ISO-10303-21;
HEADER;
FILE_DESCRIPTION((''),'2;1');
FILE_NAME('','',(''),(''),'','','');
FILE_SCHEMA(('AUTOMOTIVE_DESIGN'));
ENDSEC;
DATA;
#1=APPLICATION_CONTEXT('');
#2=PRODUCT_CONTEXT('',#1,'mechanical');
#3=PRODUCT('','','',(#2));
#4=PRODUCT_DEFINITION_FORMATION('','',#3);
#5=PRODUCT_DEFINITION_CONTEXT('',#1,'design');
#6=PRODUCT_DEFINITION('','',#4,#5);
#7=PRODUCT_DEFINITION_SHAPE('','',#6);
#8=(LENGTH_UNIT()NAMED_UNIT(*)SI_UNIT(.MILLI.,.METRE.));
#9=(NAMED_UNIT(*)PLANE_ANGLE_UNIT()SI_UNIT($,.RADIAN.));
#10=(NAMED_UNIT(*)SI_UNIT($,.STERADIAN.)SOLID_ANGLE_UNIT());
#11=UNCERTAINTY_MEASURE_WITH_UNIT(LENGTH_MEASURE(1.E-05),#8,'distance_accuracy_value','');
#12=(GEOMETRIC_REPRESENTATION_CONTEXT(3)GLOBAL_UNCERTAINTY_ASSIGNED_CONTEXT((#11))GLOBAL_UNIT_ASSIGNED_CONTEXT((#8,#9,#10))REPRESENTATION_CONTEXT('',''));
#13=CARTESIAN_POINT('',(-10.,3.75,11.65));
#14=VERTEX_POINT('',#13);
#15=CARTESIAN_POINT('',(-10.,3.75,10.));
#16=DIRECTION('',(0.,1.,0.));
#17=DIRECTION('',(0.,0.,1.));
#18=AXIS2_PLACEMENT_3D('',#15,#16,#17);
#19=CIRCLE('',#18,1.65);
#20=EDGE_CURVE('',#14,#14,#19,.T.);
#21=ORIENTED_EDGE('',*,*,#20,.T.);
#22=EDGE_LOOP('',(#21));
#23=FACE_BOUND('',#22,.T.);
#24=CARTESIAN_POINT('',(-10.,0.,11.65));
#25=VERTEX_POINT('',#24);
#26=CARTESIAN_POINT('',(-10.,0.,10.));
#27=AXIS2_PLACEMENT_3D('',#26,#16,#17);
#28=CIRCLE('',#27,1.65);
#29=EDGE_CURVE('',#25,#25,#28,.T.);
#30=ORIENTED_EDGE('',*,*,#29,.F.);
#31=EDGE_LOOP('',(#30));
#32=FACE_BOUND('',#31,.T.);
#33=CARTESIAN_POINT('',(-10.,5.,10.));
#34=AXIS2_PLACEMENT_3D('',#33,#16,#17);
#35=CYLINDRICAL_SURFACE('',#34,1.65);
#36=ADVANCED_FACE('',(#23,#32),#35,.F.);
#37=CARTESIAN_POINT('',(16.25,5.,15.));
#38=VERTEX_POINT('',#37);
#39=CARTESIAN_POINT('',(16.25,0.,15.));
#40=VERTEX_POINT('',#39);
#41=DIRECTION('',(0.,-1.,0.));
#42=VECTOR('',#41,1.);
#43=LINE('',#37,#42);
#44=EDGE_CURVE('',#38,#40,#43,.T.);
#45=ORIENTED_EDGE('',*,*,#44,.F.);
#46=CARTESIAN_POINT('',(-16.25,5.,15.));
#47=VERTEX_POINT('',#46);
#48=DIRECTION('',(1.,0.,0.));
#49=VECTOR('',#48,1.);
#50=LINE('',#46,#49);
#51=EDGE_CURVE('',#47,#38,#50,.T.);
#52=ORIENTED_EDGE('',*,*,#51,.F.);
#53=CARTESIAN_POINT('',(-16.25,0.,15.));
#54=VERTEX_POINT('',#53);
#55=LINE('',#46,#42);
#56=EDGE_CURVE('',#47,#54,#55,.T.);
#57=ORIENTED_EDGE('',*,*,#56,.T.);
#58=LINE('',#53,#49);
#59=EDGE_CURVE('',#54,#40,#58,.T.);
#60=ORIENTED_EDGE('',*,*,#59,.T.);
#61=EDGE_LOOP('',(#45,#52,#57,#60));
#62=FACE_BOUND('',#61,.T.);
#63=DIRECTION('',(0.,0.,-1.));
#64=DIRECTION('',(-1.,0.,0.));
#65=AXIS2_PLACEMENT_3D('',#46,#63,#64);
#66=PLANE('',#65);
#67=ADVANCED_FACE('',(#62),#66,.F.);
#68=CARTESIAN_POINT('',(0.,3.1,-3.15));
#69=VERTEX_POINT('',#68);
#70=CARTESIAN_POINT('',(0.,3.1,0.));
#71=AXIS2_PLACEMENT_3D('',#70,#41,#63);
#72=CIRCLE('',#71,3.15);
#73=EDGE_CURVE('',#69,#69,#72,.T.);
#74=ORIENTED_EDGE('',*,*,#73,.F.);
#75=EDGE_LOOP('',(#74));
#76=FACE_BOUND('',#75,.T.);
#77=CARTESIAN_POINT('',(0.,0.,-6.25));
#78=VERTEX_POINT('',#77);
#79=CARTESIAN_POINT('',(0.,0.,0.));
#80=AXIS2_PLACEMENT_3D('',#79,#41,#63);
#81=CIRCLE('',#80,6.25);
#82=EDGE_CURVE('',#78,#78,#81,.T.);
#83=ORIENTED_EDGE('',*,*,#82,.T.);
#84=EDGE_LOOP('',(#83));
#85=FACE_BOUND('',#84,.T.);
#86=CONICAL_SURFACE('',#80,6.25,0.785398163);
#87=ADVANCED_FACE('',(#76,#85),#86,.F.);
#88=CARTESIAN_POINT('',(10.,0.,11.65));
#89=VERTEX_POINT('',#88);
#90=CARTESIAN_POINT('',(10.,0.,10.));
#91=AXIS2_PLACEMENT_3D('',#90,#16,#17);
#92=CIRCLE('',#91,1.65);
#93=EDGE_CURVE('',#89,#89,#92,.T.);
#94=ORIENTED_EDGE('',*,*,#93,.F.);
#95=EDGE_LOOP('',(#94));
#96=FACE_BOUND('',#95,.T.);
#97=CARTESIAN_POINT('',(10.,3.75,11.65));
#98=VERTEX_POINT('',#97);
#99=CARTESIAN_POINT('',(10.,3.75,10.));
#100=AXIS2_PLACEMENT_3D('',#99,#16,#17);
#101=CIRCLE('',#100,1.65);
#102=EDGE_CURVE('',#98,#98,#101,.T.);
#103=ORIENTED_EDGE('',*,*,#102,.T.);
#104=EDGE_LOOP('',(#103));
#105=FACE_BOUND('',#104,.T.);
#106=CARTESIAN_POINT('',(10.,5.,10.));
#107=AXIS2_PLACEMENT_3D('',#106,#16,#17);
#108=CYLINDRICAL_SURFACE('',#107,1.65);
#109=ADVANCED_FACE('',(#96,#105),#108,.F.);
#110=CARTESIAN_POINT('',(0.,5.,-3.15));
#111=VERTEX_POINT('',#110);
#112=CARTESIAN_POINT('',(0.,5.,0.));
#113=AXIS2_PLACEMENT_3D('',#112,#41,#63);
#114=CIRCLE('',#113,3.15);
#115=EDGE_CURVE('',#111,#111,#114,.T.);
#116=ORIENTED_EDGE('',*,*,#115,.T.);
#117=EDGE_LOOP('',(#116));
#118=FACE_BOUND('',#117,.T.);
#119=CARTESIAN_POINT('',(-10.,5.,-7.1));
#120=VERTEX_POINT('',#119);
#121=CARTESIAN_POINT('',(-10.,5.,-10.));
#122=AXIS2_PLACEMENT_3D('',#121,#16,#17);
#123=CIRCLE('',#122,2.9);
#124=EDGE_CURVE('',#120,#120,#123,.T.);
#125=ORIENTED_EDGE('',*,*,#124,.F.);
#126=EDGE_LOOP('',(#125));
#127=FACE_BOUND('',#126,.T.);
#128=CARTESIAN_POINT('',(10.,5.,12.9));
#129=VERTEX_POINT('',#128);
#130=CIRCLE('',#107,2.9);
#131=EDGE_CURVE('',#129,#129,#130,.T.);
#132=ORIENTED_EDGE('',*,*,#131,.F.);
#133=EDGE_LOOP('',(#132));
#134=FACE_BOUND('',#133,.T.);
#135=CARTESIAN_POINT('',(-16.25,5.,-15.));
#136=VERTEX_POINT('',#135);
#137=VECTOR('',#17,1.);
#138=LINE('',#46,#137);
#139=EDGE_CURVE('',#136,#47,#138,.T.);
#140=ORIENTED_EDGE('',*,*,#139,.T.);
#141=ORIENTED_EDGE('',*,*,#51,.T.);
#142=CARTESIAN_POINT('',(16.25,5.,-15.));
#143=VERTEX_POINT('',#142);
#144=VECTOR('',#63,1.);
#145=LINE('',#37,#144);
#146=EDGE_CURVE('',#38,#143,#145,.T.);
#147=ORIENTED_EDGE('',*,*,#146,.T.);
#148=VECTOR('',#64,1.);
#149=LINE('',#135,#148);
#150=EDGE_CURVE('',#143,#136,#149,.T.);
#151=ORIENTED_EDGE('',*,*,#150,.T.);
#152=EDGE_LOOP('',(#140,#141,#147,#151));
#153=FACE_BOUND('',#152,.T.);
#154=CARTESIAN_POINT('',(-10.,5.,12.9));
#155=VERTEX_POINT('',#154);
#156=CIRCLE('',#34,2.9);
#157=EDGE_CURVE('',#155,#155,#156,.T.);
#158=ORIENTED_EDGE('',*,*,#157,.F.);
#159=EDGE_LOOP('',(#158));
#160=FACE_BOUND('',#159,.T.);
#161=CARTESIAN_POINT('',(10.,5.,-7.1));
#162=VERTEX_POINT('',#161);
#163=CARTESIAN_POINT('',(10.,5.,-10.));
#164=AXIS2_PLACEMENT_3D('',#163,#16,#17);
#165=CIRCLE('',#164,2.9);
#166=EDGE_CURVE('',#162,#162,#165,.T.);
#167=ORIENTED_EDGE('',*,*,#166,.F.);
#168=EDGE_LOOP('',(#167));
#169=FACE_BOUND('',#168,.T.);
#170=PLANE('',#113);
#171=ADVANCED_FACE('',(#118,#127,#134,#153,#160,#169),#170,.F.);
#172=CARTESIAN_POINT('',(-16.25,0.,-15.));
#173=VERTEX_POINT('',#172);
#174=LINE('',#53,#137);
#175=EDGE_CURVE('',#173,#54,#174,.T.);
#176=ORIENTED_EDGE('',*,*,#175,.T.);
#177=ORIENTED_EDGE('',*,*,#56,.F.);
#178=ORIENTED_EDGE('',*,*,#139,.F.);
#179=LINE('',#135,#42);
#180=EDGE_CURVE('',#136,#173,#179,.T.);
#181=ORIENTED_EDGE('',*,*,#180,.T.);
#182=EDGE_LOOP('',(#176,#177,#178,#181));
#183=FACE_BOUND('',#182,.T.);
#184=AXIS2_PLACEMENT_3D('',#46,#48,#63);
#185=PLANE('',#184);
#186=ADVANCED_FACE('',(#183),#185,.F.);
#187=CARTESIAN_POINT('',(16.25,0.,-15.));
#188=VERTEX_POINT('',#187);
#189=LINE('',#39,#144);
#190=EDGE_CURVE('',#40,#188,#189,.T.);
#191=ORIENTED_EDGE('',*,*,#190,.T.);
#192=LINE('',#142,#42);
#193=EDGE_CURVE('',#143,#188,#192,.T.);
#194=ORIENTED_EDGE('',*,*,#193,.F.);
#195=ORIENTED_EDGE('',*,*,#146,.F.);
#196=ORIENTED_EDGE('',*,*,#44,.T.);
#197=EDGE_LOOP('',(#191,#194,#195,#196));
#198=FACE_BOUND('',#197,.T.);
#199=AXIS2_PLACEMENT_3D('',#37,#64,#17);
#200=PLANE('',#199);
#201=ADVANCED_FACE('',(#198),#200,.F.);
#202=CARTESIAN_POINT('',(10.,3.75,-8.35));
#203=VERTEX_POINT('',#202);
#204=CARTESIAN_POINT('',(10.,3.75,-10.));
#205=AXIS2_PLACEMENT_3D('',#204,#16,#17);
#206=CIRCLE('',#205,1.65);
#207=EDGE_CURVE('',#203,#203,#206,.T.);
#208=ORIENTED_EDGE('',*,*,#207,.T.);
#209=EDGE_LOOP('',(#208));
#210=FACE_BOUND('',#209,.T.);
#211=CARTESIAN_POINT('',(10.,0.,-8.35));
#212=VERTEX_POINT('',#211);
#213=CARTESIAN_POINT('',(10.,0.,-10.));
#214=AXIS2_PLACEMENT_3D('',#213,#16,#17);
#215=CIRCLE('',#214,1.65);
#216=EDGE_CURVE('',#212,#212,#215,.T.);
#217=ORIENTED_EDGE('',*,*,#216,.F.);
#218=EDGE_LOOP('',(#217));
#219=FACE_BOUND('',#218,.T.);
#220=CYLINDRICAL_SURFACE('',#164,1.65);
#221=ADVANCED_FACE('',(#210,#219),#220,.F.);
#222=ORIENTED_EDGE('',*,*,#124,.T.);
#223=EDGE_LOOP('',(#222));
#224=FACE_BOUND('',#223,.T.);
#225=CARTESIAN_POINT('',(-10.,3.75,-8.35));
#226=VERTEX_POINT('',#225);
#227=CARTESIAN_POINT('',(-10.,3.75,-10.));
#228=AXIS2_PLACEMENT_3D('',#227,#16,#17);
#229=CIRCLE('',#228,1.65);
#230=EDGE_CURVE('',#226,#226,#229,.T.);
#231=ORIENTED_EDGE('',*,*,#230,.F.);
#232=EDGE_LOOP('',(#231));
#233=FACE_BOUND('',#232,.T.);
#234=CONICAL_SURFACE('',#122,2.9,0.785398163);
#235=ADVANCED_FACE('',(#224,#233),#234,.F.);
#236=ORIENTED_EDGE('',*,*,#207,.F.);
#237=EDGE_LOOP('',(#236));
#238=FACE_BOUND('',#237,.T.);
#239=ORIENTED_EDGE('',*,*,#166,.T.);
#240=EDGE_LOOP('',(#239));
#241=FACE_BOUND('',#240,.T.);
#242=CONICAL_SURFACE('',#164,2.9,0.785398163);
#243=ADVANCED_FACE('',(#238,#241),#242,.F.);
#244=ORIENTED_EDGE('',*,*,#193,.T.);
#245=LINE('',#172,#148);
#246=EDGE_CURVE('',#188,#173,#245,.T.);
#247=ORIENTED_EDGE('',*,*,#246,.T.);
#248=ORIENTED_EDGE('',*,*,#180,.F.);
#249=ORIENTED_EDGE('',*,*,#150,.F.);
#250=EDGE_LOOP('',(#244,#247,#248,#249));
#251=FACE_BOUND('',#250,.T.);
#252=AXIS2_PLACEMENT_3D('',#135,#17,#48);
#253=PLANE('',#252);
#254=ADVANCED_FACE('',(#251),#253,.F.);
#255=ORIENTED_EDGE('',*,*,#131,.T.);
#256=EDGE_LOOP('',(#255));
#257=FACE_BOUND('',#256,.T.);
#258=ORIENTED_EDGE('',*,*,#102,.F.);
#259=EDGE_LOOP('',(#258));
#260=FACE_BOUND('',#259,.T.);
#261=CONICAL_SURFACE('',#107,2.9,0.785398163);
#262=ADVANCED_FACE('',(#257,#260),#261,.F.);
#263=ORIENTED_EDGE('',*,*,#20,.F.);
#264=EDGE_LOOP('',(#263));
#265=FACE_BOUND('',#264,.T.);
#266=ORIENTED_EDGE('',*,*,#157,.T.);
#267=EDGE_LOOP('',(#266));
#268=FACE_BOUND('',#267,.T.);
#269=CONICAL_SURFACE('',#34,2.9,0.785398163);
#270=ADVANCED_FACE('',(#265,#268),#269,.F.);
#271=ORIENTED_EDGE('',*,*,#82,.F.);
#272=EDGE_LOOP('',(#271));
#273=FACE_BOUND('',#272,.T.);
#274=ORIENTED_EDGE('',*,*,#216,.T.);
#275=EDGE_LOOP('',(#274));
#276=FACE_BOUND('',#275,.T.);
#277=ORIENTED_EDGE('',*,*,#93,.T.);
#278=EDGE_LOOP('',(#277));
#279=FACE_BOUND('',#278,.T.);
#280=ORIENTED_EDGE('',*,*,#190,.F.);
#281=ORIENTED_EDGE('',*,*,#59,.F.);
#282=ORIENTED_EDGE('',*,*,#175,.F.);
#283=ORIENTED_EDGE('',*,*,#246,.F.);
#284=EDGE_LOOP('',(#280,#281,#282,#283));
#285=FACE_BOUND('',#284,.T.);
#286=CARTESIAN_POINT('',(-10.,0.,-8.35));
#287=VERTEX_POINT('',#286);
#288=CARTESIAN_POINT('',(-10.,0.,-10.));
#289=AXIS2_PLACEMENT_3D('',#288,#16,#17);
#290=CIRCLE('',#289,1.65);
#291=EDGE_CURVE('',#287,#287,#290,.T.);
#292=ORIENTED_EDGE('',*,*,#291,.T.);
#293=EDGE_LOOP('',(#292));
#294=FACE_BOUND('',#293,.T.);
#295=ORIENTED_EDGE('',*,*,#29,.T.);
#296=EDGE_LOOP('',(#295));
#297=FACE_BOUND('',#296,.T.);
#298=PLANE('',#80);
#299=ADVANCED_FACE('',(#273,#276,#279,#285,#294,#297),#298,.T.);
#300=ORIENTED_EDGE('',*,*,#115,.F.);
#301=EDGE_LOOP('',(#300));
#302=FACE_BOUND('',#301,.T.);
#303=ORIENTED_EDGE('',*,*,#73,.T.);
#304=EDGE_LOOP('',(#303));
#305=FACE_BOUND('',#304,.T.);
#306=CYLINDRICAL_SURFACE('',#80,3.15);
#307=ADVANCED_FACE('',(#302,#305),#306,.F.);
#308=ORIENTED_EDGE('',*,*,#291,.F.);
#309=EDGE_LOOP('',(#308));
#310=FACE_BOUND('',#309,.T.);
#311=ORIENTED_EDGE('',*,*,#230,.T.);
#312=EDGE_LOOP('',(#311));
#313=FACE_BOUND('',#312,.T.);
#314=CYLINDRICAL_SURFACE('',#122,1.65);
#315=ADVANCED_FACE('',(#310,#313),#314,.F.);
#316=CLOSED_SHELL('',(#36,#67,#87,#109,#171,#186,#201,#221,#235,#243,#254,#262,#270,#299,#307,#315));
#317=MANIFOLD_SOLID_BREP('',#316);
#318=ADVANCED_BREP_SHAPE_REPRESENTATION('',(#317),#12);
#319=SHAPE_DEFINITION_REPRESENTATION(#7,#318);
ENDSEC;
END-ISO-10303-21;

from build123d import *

# Parameters (mm, degrees)
SKETCH1_W                                           = 32.5
SKETCH1_H                                           = 30
BOSS_EXTRUDE1_DEPTH                                 = 5
CSK_FOR_M3_COUNTERSUNK_FLAT_HEAD_SCREW1_D           = 3.3
CSK_FOR_M3_COUNTERSUNK_FLAT_HEAD_SCREW1_CSINK_D     = 5.8
CSK_FOR_M3_COUNTERSUNK_FLAT_HEAD_SCREW1_CSINK_ANGLE = 90


with BuildPart() as part:
    # Sketch1 → Boss-Extrude1 (new body)
    with BuildSketch(Plane(origin=(0, 0, 0), x_dir=(1, 0, 0), z_dir=(0, 1, 0))):
        Rectangle(SKETCH1_W, SKETCH1_H)
    extrude(amount=BOSS_EXTRUDE1_DEPTH)

    # Sketch3 → CSK for M6 Hex Socket Countersunk Cap Screw1 (revolve, cut)
    with BuildSketch(Plane(origin=(0, 0, 0), x_dir=(0, 0, -1), z_dir=(1, 0, 0))):
        Polygon((0, 0), (0, 5), (3.15, 5), (3.15, 3.1), (6.25, 0), align=None)
    revolve(axis=Axis((0, -6.35, 0), (0, 1, 0)), mode=Mode.SUBTRACT)

    # CSK for M3 Countersunk Flat Head Screw1 (through all)
    with Locations(Plane(origin=(0, 5, 0), x_dir=(1, 0, 0), z_dir=(0, 1, 0))):
        with Locations((0, 0), (10, -10), (-10, 10), (-10, -10), (10, 10)):
            CounterSinkHole(CSK_FOR_M3_COUNTERSUNK_FLAT_HEAD_SCREW1_D / 2, CSK_FOR_M3_COUNTERSUNK_FLAT_HEAD_SCREW1_CSINK_D / 2, counter_sink_angle=CSK_FOR_M3_COUNTERSUNK_FLAT_HEAD_SCREW1_CSINK_ANGLE)


solid = part.part
